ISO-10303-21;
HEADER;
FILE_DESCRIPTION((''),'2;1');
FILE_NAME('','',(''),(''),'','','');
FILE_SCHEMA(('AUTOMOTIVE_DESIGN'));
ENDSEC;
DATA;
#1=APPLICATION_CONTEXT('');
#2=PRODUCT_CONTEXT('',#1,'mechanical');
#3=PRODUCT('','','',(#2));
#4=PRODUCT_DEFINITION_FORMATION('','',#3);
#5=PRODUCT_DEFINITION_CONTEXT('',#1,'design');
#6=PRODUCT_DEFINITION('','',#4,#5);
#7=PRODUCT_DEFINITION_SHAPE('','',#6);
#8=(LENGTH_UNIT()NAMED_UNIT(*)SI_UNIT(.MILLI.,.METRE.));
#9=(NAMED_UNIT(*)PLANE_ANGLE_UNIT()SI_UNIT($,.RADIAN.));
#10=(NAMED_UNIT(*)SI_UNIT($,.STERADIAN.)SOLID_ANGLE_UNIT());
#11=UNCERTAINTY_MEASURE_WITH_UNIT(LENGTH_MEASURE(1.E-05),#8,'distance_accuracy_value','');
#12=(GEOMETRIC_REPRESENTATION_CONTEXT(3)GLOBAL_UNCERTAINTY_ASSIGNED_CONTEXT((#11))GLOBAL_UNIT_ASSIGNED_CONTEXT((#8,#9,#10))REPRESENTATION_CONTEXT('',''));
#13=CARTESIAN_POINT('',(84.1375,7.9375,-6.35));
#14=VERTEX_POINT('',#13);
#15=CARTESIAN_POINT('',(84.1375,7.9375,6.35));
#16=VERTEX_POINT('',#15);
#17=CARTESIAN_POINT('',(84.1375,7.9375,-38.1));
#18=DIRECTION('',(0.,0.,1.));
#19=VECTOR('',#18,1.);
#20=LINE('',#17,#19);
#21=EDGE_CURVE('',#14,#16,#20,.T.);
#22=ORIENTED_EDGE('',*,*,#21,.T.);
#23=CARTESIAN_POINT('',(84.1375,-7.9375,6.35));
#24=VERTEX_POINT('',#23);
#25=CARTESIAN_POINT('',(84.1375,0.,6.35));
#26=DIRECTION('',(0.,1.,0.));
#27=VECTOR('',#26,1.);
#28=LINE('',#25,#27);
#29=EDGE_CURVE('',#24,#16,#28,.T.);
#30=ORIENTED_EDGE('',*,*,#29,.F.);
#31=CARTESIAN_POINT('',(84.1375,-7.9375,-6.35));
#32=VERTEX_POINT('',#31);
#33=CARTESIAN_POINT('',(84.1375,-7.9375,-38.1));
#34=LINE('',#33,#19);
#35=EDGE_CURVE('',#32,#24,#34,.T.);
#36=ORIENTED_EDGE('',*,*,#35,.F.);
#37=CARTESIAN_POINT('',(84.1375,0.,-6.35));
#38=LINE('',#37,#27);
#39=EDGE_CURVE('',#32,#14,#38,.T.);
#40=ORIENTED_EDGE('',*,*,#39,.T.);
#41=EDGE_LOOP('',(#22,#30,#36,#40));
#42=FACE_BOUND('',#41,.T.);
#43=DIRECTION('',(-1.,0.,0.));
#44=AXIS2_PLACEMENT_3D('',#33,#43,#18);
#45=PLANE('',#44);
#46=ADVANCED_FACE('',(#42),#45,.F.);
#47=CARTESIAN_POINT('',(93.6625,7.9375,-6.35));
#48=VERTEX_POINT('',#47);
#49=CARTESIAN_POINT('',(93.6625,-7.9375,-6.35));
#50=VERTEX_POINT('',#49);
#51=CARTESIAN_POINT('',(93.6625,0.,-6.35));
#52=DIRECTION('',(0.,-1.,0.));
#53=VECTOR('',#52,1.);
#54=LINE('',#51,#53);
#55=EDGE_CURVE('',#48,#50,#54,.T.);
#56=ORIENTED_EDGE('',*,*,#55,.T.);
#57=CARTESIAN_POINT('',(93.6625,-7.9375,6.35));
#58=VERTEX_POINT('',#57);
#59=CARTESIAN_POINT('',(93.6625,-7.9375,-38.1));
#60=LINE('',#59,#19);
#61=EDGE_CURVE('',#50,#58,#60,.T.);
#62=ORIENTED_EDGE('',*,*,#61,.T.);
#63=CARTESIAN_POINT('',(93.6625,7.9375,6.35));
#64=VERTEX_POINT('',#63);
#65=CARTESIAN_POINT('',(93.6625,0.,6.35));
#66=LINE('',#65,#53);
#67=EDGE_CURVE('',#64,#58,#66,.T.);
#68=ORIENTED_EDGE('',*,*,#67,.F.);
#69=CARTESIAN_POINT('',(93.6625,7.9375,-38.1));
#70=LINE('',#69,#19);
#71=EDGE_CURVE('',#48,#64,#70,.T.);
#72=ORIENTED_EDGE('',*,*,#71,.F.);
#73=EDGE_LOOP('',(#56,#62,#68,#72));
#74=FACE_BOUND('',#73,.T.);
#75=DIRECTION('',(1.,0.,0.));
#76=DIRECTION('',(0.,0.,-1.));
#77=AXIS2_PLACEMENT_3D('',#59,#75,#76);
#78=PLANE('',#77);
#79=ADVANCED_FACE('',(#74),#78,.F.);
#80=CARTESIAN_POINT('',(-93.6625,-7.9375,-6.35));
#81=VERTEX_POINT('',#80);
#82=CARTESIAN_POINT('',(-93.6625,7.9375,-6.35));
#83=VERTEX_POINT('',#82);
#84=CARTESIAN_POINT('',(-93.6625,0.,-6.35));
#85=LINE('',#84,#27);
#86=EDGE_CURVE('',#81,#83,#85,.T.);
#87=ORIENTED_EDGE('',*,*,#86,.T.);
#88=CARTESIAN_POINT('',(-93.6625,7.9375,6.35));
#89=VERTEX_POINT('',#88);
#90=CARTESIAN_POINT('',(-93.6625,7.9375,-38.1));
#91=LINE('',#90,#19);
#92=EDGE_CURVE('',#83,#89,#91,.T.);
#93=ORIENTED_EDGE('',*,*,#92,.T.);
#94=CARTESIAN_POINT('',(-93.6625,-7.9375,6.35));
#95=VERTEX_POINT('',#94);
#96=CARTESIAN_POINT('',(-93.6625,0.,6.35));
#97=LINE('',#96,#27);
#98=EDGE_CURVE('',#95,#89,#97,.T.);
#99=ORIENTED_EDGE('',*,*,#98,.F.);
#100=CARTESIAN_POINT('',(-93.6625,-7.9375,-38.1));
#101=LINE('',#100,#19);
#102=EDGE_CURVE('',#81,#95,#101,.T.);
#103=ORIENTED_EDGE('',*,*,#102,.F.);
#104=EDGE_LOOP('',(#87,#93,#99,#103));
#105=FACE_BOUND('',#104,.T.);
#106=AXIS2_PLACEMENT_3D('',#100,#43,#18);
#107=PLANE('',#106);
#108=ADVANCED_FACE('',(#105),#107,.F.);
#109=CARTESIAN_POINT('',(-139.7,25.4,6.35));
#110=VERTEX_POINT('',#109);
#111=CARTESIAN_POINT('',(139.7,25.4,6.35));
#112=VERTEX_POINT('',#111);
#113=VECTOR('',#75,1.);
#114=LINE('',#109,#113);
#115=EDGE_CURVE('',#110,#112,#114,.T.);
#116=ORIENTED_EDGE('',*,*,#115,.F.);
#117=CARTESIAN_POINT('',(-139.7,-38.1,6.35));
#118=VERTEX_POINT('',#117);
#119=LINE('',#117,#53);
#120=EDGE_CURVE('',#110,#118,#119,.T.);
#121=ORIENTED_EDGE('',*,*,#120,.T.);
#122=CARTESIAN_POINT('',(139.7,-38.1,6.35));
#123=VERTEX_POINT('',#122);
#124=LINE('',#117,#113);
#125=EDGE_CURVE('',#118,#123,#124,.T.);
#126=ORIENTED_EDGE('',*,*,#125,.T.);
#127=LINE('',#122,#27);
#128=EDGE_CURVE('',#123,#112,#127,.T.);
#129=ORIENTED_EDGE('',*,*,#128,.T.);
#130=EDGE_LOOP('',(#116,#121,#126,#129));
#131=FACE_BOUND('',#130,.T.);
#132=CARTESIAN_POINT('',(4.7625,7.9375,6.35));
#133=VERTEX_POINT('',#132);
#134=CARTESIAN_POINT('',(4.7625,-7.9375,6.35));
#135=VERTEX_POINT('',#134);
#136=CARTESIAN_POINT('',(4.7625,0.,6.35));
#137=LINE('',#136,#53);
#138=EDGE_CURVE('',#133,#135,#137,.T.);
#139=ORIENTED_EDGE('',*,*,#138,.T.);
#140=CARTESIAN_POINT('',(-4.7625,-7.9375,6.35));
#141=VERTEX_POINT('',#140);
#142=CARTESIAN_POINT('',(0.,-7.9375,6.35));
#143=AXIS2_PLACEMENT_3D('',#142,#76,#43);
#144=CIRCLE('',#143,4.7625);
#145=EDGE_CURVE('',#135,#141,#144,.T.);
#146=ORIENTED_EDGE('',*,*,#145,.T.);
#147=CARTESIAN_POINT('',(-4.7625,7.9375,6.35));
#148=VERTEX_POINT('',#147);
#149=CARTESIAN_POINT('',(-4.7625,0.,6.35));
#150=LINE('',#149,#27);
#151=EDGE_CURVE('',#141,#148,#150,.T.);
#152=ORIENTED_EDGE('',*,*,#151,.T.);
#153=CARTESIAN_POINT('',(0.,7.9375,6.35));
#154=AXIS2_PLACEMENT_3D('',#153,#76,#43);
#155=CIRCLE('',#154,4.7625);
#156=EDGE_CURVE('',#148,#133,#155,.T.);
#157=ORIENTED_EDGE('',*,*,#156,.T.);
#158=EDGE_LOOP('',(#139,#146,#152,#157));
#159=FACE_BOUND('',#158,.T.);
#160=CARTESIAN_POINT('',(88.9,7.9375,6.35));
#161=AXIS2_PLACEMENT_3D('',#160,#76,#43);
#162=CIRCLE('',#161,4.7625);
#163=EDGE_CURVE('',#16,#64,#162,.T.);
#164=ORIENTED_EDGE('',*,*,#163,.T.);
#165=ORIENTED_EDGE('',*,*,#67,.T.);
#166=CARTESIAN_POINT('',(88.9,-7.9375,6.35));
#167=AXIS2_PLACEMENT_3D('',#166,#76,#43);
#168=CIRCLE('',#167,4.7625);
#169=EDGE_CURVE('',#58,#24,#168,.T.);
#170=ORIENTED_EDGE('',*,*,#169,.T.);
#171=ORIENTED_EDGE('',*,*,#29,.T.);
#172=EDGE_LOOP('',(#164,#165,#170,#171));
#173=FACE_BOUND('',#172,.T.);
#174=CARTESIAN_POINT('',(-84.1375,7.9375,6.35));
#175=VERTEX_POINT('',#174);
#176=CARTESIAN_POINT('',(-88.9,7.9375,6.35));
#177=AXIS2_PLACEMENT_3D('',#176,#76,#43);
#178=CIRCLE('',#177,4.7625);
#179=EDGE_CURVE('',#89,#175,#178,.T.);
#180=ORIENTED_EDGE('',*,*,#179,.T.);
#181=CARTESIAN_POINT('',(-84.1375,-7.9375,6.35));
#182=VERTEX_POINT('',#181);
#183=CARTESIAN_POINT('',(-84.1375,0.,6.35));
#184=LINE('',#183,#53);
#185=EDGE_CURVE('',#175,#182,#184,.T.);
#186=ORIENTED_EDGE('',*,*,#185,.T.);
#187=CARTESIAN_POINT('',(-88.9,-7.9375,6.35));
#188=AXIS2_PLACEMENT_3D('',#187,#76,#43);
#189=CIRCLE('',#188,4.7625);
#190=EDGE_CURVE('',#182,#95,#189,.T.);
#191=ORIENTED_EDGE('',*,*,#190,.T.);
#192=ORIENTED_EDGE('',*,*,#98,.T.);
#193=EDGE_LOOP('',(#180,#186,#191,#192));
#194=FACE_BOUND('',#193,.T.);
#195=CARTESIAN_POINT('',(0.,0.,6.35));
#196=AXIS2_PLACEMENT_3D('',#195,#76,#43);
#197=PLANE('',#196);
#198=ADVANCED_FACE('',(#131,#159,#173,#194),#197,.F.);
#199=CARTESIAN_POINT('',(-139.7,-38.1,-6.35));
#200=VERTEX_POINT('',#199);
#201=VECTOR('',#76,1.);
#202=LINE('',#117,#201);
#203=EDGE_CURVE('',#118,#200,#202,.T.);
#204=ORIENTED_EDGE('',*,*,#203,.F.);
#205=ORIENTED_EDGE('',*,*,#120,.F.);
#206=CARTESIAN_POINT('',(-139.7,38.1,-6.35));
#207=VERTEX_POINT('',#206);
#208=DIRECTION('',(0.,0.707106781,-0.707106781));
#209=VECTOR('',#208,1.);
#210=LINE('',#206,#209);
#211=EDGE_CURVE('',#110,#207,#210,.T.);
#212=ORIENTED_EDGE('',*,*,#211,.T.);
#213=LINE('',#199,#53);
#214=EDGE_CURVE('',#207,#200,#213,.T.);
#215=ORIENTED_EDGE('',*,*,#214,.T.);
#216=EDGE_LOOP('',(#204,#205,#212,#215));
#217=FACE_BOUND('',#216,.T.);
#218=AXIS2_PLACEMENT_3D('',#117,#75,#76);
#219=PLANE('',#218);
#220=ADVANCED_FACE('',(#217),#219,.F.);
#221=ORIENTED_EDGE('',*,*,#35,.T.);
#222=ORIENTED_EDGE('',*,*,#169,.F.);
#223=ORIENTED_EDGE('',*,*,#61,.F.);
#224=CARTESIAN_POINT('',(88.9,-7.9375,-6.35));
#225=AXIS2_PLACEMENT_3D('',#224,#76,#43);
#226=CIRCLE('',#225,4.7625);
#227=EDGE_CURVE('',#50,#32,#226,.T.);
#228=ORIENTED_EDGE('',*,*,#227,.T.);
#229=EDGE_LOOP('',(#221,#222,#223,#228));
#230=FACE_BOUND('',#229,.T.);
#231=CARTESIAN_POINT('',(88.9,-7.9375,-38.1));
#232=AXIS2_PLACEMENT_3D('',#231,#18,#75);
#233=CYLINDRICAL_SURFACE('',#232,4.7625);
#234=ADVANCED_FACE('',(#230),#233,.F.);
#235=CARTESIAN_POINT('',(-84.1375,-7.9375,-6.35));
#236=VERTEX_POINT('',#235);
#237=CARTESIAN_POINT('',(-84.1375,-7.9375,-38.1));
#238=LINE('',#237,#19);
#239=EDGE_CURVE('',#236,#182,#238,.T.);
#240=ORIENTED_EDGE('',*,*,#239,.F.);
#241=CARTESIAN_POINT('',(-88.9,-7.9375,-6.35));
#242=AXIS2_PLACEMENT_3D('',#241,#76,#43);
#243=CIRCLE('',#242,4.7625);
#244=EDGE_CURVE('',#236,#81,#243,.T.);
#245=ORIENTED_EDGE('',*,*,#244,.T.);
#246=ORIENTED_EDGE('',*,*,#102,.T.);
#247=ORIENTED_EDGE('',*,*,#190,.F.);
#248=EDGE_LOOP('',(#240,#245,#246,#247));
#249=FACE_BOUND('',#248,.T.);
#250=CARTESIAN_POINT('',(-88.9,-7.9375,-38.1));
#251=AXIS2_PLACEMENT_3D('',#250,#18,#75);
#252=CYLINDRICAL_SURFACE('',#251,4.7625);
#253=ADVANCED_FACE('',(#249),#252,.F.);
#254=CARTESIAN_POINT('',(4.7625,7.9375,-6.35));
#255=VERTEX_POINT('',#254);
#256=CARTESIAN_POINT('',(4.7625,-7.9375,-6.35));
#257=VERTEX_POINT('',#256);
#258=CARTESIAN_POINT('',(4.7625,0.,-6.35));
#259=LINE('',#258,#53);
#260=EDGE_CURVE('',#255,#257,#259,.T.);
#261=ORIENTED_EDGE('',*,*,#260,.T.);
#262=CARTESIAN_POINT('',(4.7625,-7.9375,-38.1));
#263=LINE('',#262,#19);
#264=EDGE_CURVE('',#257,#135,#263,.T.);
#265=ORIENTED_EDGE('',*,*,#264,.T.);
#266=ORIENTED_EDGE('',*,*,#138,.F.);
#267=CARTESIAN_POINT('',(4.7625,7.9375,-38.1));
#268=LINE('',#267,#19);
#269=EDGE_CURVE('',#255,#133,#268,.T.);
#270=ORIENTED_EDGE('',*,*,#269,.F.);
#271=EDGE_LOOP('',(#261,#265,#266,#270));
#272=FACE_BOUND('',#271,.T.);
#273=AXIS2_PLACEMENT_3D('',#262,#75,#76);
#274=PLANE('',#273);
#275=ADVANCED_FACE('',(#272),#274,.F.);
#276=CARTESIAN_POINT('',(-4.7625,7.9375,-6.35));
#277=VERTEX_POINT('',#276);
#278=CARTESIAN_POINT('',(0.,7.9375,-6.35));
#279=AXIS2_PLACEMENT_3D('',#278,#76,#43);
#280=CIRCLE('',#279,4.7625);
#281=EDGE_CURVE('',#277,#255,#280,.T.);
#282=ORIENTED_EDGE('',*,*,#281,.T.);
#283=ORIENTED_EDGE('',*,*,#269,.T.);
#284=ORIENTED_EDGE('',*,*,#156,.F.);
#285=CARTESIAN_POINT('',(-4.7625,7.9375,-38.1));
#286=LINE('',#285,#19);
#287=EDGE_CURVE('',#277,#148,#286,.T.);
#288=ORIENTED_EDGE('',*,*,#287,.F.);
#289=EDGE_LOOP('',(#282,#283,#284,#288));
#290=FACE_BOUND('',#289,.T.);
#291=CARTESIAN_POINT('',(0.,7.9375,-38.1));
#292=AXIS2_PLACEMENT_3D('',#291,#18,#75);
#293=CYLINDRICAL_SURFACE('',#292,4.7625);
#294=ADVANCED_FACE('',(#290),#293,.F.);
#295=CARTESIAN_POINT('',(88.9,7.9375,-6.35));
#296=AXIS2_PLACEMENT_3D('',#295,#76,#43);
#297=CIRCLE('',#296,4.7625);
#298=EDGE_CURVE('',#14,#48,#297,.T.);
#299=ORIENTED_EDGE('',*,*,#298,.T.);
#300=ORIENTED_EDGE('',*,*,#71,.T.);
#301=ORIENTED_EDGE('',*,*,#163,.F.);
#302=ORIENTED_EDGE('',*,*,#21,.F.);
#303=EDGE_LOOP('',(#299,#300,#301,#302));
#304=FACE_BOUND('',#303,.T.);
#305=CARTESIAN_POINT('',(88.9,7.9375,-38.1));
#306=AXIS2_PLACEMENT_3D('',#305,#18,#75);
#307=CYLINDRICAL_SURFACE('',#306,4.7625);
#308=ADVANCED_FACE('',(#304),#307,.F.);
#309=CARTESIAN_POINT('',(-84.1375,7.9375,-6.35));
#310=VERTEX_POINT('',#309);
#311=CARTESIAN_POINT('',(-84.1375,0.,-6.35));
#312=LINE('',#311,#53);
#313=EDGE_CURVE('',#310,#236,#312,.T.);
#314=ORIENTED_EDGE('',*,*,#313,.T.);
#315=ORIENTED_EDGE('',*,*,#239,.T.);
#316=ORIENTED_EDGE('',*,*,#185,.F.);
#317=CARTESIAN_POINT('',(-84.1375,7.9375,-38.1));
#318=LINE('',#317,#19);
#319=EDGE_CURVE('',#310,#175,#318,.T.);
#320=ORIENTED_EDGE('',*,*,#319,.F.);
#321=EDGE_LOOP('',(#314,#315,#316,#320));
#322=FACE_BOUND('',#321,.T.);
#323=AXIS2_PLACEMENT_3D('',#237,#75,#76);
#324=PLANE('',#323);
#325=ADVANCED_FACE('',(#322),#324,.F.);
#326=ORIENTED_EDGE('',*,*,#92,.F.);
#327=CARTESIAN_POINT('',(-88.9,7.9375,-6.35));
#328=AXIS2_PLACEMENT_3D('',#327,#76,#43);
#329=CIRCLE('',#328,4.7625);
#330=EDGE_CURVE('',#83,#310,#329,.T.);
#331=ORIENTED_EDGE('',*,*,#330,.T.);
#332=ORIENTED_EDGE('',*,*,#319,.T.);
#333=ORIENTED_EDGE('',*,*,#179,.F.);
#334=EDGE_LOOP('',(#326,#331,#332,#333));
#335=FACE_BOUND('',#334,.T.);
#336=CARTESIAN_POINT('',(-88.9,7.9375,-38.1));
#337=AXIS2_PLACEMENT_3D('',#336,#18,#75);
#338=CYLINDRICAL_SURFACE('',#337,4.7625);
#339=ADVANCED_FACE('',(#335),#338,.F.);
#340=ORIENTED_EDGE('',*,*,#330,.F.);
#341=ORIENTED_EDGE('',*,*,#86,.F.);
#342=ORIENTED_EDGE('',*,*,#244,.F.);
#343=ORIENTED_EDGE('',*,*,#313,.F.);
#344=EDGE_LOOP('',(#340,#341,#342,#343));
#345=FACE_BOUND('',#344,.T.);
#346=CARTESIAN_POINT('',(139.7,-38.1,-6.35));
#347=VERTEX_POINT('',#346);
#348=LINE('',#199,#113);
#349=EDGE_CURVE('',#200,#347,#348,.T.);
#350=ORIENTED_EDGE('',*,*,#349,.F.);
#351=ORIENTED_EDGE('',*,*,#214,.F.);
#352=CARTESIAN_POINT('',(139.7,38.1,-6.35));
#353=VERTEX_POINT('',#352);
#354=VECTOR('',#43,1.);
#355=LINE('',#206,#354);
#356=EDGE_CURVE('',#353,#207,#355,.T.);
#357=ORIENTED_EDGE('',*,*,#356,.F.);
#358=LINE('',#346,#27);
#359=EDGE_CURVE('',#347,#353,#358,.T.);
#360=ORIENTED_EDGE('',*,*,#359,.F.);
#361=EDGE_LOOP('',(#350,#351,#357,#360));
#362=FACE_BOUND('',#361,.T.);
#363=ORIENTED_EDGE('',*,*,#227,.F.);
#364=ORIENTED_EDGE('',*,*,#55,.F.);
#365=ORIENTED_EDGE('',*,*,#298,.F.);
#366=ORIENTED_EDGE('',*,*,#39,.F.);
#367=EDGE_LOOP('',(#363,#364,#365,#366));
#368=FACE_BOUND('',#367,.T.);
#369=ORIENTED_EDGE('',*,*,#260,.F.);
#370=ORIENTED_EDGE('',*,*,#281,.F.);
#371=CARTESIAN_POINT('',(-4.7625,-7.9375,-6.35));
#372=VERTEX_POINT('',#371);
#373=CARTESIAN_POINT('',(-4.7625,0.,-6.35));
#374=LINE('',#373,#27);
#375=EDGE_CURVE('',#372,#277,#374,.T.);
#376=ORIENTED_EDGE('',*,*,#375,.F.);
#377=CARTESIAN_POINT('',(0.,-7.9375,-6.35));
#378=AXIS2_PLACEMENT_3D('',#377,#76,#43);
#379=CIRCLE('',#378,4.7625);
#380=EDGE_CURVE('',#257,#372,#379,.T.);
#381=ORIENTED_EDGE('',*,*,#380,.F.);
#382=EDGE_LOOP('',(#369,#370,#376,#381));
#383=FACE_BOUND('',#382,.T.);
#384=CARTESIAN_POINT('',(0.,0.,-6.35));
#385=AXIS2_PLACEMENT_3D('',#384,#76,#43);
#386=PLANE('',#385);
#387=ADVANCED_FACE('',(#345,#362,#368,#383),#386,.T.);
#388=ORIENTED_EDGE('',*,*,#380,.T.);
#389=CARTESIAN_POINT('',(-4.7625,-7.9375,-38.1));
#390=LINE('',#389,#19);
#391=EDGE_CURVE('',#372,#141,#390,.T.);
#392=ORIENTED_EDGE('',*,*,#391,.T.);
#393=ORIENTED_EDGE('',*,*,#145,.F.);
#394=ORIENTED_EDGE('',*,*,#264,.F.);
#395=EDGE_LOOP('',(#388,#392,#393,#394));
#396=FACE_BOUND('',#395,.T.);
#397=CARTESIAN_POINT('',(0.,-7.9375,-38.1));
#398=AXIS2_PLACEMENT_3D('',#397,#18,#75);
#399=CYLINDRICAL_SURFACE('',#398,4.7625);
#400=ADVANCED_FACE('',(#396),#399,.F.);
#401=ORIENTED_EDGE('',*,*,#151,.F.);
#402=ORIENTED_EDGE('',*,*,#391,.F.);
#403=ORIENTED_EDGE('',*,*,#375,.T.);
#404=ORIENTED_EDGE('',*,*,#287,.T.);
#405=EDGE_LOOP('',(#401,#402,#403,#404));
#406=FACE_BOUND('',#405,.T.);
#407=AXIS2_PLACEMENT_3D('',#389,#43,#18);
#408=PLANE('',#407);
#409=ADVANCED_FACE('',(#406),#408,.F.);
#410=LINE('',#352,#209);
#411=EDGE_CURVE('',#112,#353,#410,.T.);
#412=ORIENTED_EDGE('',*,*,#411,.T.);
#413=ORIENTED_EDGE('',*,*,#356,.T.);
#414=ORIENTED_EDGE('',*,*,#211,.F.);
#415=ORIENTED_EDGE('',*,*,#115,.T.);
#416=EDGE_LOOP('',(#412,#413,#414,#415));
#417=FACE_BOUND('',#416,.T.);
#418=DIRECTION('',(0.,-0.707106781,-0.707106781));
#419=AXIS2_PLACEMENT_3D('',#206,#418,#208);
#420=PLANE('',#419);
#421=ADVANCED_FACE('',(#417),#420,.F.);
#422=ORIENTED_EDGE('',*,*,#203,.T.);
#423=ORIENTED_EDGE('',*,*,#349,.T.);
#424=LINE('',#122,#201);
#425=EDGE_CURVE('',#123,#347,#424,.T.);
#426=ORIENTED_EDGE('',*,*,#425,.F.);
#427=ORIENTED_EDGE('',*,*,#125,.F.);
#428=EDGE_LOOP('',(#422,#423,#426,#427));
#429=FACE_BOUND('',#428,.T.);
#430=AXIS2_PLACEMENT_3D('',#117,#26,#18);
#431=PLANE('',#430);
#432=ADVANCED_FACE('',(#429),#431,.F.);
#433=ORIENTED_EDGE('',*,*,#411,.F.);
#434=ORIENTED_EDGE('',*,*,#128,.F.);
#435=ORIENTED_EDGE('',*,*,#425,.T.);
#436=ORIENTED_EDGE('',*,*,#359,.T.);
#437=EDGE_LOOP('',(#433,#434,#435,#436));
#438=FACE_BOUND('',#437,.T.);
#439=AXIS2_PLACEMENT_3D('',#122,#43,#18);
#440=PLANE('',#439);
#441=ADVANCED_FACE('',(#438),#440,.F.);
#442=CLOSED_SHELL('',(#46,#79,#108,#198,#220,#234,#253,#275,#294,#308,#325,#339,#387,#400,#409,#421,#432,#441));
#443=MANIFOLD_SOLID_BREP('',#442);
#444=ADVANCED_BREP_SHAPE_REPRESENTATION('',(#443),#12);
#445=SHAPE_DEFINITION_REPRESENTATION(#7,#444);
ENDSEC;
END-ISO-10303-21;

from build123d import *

# Parameters (mm, degrees)
SKETCH1_W           = 279.4
SKETCH1_H           = 76.2
BOSS_EXTRUDE1_DEPTH = 6.35
CUT_EXTRUDE2_DEPTH  = 139.7
CUT_EXTRUDE3_DEPTH  = 38.1


with BuildPart() as part:
    # Sketch1 → Boss-Extrude1 (new, symmetric)
    with BuildSketch(Plane.XY):
        Rectangle(SKETCH1_W, SKETCH1_H)
    extrude(amount=BOSS_EXTRUDE1_DEPTH, both=True)

    # Sketch2 → Cut-Extrude2 (cut, symmetric)
    with BuildSketch(Plane(origin=(0, 0, 0), x_dir=(0, 0, -1), z_dir=(1, 0, 0))):
        Polygon((6.35, 38.1), (-6.35, 25.4), (-6.35, 38.1), align=None)
    extrude(amount=CUT_EXTRUDE2_DEPTH, both=True, mode=Mode.SUBTRACT)

    # Sketch3 → Cut-Extrude3 (cut, symmetric)
    with BuildSketch(Plane.XY):
        with BuildLine():
            Line((84.1375, -7.9375), (84.1375, 7.9375))
            ThreePointArc((84.1375, 7.9375), (88.9, 12.7), (93.6625, 7.9375))
            Line((93.6625, 7.9375), (93.6625, -7.9375))
            ThreePointArc((93.6625, -7.9375), (88.9, -12.7), (84.1375, -7.9375))
        make_face()
        with BuildLine():
            Line((-4.7625, -7.9375), (-4.7625, 7.9375))
            ThreePointArc((-4.7625, 7.9375), (0, 12.7), (4.7625, 7.9375))
            Line((4.7625, 7.9375), (4.7625, -7.9375))
            ThreePointArc((4.7625, -7.9375), (0, -12.7), (-4.7625, -7.9375))
        make_face()
        with BuildLine():
            Line((-93.6625, -7.9375), (-93.6625, 7.9375))
            ThreePointArc((-93.6625, 7.9375), (-88.9, 12.7), (-84.1375, 7.9375))
            Line((-84.1375, 7.9375), (-84.1375, -7.9375))
            ThreePointArc((-84.1375, -7.9375), (-88.9, -12.7), (-93.6625, -7.9375))
        make_face()
    extrude(amount=CUT_EXTRUDE3_DEPTH, both=True, mode=Mode.SUBTRACT)


solid = part.part
